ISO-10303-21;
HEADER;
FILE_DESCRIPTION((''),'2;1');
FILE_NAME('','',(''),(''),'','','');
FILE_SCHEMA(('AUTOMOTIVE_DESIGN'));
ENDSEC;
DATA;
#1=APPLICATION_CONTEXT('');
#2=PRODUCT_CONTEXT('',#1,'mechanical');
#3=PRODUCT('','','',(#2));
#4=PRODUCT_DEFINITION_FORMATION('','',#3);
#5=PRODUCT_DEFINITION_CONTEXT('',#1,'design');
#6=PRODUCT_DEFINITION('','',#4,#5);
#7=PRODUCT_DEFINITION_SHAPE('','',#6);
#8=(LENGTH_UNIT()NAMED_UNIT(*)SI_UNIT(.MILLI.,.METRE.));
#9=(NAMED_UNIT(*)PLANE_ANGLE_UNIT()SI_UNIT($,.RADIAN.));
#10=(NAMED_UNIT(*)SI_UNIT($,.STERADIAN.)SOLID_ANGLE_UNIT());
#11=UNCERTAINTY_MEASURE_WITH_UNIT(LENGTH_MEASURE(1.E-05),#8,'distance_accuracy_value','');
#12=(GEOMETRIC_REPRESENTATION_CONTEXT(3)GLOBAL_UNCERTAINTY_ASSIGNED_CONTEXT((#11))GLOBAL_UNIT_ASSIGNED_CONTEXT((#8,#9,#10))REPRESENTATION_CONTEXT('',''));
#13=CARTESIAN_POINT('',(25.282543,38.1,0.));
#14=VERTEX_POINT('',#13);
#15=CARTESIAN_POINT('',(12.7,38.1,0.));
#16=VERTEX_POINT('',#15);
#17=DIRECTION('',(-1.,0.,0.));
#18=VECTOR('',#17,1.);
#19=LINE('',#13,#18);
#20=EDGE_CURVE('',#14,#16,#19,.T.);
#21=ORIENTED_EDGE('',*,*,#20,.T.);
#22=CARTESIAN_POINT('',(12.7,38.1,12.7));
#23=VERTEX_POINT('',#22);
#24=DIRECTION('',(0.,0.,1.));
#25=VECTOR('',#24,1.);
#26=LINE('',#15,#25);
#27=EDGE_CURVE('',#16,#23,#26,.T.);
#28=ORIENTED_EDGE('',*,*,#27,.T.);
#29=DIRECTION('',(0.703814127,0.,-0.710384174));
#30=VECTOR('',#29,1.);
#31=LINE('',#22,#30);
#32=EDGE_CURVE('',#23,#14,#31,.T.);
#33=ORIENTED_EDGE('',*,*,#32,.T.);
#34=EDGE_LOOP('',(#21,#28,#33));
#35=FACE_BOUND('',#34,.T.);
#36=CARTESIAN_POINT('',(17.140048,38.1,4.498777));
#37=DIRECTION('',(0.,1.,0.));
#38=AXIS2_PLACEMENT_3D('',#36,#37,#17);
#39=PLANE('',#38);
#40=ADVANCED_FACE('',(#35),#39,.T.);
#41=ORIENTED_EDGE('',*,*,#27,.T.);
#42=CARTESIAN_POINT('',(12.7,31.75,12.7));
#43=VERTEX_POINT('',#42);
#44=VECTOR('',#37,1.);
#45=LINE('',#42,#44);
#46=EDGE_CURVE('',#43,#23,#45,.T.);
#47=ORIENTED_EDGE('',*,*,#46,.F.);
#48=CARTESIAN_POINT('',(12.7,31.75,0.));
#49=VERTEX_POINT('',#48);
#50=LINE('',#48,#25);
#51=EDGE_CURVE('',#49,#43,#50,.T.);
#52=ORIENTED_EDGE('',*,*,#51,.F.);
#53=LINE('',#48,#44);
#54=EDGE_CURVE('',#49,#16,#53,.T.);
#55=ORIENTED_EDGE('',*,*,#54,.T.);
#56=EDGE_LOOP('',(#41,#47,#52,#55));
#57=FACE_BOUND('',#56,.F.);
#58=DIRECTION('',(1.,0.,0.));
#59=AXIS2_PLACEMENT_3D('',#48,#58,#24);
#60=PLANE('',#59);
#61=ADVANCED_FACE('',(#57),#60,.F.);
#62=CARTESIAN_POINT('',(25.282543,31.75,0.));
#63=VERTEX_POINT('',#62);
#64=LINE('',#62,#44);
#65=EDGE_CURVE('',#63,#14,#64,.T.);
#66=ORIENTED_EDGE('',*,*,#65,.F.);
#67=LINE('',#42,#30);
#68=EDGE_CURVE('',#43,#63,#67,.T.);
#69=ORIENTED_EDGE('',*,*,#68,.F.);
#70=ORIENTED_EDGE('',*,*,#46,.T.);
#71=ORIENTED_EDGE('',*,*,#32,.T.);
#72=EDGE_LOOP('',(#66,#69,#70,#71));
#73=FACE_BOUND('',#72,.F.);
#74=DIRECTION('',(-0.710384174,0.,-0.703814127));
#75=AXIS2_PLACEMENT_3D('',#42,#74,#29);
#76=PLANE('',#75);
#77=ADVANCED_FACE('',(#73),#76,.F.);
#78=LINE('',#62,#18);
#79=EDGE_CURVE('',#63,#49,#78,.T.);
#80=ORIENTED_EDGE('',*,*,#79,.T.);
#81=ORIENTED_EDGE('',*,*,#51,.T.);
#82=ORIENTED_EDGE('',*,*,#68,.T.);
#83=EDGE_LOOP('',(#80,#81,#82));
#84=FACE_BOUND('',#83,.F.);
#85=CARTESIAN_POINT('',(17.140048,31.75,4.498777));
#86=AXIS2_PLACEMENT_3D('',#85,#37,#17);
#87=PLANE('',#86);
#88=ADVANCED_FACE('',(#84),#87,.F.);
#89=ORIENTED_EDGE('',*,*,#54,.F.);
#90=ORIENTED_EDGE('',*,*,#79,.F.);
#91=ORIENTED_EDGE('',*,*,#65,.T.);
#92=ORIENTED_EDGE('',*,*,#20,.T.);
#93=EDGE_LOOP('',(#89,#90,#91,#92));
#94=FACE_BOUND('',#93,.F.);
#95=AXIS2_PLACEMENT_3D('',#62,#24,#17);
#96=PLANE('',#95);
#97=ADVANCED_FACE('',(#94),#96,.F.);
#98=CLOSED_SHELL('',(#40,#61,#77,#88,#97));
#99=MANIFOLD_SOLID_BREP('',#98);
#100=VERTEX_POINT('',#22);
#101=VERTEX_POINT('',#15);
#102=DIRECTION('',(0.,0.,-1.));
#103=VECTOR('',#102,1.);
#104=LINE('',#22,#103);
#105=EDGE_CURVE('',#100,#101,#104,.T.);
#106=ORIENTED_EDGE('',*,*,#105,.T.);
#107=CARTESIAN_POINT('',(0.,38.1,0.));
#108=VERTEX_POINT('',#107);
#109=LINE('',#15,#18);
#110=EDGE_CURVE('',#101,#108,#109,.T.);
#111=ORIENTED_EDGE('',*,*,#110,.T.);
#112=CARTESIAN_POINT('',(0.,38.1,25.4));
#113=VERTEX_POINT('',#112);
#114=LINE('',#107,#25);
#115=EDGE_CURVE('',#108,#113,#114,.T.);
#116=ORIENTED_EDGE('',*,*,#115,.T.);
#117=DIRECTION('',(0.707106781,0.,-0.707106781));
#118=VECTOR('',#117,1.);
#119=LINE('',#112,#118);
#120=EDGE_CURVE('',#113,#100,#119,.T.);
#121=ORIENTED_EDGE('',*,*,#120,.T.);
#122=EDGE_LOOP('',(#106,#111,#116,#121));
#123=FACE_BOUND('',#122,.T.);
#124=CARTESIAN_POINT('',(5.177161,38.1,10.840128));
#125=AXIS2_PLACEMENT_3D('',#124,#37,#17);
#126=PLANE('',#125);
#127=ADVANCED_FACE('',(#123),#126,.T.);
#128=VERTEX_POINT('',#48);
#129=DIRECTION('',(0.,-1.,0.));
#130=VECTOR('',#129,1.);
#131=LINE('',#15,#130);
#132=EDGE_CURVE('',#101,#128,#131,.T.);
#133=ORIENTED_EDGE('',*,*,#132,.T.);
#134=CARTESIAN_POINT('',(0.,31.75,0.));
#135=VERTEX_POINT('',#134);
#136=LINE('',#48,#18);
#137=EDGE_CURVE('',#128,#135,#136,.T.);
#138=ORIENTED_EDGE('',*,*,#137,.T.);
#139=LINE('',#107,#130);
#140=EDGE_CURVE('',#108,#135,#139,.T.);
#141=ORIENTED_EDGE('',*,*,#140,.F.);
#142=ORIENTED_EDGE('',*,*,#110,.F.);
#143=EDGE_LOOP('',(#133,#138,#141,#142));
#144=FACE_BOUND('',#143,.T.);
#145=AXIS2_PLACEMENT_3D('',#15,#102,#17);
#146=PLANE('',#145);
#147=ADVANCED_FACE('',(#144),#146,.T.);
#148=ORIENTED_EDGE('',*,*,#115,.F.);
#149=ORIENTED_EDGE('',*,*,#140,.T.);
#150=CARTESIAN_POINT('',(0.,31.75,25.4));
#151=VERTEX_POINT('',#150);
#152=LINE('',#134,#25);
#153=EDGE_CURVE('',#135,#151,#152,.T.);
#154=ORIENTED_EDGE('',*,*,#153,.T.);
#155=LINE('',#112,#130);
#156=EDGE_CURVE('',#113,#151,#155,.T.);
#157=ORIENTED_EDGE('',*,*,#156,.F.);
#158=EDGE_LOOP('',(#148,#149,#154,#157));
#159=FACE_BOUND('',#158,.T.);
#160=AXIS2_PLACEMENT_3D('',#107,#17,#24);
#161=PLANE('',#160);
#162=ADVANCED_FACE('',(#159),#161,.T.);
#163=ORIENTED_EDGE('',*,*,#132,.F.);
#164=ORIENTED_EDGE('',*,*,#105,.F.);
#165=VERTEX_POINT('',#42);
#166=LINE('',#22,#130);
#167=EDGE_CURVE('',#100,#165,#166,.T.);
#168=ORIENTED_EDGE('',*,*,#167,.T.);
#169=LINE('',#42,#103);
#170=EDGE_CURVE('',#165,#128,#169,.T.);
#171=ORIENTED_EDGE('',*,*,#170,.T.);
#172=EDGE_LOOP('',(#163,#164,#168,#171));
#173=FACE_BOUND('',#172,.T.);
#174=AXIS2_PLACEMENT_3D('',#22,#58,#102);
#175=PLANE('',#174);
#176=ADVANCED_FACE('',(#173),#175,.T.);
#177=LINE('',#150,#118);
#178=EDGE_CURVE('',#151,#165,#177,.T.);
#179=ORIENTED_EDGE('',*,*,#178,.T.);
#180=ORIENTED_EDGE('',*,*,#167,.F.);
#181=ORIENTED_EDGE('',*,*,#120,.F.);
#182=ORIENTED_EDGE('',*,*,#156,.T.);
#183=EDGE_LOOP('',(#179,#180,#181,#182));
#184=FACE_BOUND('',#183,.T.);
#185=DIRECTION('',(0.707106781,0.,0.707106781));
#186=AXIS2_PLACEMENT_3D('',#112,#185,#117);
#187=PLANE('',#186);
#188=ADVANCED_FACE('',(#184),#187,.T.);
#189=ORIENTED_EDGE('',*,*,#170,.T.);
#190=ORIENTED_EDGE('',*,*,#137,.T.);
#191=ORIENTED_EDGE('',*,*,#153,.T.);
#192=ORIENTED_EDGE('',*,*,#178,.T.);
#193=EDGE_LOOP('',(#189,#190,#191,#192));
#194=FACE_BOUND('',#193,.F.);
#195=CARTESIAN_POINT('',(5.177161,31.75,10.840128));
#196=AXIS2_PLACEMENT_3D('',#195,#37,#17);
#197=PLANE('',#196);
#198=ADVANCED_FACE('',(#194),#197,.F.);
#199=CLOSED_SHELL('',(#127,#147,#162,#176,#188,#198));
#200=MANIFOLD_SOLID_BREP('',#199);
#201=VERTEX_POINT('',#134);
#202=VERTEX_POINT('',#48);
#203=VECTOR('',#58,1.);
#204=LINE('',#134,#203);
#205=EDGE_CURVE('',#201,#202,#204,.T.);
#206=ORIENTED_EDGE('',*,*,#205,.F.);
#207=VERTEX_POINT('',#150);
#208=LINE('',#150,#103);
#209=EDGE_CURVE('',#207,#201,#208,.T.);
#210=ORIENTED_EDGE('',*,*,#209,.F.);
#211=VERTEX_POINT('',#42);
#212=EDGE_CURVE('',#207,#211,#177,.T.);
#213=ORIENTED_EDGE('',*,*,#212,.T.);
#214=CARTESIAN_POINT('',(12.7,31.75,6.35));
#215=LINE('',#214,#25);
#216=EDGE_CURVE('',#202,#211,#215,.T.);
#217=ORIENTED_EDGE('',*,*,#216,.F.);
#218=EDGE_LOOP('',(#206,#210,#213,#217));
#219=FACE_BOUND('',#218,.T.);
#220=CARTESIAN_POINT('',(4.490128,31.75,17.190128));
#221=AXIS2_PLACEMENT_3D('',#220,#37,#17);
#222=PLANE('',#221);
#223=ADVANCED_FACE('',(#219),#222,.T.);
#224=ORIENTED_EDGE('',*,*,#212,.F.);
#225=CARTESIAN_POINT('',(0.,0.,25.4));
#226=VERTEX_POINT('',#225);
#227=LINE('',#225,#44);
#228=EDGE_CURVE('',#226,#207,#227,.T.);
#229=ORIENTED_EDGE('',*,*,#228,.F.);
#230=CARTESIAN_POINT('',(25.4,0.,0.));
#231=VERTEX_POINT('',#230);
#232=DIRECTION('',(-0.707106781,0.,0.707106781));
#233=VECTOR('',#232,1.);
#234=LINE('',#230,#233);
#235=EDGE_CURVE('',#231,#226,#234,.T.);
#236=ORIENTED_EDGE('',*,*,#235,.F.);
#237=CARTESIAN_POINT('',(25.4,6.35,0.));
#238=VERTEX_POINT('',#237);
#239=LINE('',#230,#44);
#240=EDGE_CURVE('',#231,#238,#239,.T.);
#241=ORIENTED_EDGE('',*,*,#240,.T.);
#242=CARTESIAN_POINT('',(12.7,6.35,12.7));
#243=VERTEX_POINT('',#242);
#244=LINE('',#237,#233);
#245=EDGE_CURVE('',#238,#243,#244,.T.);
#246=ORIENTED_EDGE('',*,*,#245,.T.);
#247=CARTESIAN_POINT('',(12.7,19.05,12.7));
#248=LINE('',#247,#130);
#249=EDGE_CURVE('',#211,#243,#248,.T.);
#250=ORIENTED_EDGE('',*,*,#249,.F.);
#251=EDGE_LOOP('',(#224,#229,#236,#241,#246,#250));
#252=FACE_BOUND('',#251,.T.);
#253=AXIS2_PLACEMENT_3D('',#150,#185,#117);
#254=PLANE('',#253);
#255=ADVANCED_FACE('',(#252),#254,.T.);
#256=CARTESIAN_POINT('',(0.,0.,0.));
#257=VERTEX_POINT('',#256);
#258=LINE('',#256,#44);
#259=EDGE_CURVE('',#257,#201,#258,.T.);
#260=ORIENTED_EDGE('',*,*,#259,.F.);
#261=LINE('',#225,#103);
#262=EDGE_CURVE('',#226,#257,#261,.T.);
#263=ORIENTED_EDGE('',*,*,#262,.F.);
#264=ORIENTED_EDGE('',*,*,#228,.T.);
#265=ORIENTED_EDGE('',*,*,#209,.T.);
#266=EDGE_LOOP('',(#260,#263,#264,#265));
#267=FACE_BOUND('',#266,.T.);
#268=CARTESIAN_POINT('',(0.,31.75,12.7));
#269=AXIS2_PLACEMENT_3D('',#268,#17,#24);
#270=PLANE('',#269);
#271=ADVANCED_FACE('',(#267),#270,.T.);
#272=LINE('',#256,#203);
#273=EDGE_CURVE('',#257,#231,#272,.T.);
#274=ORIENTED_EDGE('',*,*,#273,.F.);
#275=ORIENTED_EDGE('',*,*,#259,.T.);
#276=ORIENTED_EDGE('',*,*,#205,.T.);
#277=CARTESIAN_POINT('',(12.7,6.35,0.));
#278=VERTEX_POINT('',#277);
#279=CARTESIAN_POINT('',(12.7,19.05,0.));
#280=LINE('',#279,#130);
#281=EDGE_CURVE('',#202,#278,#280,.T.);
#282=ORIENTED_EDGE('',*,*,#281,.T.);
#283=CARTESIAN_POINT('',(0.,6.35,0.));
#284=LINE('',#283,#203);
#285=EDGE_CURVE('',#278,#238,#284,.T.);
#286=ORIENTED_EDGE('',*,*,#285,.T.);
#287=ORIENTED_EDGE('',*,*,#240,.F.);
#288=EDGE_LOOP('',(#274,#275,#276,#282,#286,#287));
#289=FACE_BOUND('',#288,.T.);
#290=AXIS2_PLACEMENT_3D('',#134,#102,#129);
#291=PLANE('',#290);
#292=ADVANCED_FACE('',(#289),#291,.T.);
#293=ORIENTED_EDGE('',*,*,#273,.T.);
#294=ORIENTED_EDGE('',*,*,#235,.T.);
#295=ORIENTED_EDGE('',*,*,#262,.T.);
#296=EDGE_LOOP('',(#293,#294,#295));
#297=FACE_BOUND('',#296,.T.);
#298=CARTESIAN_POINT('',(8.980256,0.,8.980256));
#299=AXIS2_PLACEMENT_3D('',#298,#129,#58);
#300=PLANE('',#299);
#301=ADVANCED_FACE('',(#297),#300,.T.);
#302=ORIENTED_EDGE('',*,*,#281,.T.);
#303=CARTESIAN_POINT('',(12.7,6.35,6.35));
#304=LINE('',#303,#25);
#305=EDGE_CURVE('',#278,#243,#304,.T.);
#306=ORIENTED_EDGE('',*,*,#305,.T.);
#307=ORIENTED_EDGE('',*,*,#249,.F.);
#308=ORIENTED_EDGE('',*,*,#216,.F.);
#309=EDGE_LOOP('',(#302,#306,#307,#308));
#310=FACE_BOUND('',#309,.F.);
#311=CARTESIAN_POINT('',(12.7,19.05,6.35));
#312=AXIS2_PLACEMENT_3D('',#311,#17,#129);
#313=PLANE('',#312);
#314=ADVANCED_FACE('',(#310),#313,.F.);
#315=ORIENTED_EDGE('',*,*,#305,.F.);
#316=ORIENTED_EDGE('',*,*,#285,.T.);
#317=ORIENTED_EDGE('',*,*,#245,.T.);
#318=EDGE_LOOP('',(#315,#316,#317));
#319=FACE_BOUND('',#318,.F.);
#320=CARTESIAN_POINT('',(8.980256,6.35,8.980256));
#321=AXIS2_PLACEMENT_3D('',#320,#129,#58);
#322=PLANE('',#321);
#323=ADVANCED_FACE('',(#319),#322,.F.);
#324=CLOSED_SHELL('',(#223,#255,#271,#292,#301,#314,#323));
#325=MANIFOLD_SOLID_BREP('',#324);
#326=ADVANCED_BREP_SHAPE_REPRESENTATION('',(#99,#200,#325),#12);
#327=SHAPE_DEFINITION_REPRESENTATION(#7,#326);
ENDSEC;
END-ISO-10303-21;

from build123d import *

# Parameters (mm, degrees)
F1_DEPTH = 6.35
F2_W     = 25.4
F2_H     = 12.7
F3_DEPTH = 12.7
F5_DEPTH = 25.4
F7_DEPTH = 6.35
F9_DEPTH = 6.35


with BuildPart() as f1:
    # F0 (on Front) → F1 (new body)
    with BuildSketch(Plane.XZ):
        Polygon((0, 25.4), (0, 0), (25.4, 0), align=None)
    extrude(amount=-F1_DEPTH)

    # F2 (on face) → F3 (join)
    with BuildSketch(Plane(origin=(0, 0, 0), x_dir=(0, -1, 0), z_dir=(-1, 0, 0))):
        with Locations((-19.05, 6.35)):
            Rectangle(F2_W, F2_H)
    extrude(amount=-F3_DEPTH)

    # F4 (on face) → F5 (join)
    with BuildSketch(Plane(origin=(0, 31.75, 0), x_dir=(-1, 0, 0), z_dir=(0, 1, 0))):
        Polygon((-12.7, 12.7), (0, 12.7), (0, 25.4), align=None)
    extrude(amount=-F5_DEPTH)


with BuildPart() as f7:
    # F6 (on face) → F7 (new body)
    with BuildSketch(Plane(origin=(0, 31.75, 0), x_dir=(-1, 0, 0), z_dir=(0, 1, 0))):
        Polygon((-25.282543, 0), (-12.7, 0), (-12.7, 12.7), align=None)
    extrude(amount=F7_DEPTH)


with BuildPart() as f9:
    # F8 (on face) → F9 (new body)
    with BuildSketch(Plane(origin=(0, 38.1, 0), x_dir=(-1, 0, 0), z_dir=(0, 1, 0))):
        Polygon((0, 25.4), (-12.7, 12.7), (-12.7, 0), (0, 0), align=None)
    extrude(amount=-F9_DEPTH)


solid = Compound([f1.part, f7.part, f9.part])
